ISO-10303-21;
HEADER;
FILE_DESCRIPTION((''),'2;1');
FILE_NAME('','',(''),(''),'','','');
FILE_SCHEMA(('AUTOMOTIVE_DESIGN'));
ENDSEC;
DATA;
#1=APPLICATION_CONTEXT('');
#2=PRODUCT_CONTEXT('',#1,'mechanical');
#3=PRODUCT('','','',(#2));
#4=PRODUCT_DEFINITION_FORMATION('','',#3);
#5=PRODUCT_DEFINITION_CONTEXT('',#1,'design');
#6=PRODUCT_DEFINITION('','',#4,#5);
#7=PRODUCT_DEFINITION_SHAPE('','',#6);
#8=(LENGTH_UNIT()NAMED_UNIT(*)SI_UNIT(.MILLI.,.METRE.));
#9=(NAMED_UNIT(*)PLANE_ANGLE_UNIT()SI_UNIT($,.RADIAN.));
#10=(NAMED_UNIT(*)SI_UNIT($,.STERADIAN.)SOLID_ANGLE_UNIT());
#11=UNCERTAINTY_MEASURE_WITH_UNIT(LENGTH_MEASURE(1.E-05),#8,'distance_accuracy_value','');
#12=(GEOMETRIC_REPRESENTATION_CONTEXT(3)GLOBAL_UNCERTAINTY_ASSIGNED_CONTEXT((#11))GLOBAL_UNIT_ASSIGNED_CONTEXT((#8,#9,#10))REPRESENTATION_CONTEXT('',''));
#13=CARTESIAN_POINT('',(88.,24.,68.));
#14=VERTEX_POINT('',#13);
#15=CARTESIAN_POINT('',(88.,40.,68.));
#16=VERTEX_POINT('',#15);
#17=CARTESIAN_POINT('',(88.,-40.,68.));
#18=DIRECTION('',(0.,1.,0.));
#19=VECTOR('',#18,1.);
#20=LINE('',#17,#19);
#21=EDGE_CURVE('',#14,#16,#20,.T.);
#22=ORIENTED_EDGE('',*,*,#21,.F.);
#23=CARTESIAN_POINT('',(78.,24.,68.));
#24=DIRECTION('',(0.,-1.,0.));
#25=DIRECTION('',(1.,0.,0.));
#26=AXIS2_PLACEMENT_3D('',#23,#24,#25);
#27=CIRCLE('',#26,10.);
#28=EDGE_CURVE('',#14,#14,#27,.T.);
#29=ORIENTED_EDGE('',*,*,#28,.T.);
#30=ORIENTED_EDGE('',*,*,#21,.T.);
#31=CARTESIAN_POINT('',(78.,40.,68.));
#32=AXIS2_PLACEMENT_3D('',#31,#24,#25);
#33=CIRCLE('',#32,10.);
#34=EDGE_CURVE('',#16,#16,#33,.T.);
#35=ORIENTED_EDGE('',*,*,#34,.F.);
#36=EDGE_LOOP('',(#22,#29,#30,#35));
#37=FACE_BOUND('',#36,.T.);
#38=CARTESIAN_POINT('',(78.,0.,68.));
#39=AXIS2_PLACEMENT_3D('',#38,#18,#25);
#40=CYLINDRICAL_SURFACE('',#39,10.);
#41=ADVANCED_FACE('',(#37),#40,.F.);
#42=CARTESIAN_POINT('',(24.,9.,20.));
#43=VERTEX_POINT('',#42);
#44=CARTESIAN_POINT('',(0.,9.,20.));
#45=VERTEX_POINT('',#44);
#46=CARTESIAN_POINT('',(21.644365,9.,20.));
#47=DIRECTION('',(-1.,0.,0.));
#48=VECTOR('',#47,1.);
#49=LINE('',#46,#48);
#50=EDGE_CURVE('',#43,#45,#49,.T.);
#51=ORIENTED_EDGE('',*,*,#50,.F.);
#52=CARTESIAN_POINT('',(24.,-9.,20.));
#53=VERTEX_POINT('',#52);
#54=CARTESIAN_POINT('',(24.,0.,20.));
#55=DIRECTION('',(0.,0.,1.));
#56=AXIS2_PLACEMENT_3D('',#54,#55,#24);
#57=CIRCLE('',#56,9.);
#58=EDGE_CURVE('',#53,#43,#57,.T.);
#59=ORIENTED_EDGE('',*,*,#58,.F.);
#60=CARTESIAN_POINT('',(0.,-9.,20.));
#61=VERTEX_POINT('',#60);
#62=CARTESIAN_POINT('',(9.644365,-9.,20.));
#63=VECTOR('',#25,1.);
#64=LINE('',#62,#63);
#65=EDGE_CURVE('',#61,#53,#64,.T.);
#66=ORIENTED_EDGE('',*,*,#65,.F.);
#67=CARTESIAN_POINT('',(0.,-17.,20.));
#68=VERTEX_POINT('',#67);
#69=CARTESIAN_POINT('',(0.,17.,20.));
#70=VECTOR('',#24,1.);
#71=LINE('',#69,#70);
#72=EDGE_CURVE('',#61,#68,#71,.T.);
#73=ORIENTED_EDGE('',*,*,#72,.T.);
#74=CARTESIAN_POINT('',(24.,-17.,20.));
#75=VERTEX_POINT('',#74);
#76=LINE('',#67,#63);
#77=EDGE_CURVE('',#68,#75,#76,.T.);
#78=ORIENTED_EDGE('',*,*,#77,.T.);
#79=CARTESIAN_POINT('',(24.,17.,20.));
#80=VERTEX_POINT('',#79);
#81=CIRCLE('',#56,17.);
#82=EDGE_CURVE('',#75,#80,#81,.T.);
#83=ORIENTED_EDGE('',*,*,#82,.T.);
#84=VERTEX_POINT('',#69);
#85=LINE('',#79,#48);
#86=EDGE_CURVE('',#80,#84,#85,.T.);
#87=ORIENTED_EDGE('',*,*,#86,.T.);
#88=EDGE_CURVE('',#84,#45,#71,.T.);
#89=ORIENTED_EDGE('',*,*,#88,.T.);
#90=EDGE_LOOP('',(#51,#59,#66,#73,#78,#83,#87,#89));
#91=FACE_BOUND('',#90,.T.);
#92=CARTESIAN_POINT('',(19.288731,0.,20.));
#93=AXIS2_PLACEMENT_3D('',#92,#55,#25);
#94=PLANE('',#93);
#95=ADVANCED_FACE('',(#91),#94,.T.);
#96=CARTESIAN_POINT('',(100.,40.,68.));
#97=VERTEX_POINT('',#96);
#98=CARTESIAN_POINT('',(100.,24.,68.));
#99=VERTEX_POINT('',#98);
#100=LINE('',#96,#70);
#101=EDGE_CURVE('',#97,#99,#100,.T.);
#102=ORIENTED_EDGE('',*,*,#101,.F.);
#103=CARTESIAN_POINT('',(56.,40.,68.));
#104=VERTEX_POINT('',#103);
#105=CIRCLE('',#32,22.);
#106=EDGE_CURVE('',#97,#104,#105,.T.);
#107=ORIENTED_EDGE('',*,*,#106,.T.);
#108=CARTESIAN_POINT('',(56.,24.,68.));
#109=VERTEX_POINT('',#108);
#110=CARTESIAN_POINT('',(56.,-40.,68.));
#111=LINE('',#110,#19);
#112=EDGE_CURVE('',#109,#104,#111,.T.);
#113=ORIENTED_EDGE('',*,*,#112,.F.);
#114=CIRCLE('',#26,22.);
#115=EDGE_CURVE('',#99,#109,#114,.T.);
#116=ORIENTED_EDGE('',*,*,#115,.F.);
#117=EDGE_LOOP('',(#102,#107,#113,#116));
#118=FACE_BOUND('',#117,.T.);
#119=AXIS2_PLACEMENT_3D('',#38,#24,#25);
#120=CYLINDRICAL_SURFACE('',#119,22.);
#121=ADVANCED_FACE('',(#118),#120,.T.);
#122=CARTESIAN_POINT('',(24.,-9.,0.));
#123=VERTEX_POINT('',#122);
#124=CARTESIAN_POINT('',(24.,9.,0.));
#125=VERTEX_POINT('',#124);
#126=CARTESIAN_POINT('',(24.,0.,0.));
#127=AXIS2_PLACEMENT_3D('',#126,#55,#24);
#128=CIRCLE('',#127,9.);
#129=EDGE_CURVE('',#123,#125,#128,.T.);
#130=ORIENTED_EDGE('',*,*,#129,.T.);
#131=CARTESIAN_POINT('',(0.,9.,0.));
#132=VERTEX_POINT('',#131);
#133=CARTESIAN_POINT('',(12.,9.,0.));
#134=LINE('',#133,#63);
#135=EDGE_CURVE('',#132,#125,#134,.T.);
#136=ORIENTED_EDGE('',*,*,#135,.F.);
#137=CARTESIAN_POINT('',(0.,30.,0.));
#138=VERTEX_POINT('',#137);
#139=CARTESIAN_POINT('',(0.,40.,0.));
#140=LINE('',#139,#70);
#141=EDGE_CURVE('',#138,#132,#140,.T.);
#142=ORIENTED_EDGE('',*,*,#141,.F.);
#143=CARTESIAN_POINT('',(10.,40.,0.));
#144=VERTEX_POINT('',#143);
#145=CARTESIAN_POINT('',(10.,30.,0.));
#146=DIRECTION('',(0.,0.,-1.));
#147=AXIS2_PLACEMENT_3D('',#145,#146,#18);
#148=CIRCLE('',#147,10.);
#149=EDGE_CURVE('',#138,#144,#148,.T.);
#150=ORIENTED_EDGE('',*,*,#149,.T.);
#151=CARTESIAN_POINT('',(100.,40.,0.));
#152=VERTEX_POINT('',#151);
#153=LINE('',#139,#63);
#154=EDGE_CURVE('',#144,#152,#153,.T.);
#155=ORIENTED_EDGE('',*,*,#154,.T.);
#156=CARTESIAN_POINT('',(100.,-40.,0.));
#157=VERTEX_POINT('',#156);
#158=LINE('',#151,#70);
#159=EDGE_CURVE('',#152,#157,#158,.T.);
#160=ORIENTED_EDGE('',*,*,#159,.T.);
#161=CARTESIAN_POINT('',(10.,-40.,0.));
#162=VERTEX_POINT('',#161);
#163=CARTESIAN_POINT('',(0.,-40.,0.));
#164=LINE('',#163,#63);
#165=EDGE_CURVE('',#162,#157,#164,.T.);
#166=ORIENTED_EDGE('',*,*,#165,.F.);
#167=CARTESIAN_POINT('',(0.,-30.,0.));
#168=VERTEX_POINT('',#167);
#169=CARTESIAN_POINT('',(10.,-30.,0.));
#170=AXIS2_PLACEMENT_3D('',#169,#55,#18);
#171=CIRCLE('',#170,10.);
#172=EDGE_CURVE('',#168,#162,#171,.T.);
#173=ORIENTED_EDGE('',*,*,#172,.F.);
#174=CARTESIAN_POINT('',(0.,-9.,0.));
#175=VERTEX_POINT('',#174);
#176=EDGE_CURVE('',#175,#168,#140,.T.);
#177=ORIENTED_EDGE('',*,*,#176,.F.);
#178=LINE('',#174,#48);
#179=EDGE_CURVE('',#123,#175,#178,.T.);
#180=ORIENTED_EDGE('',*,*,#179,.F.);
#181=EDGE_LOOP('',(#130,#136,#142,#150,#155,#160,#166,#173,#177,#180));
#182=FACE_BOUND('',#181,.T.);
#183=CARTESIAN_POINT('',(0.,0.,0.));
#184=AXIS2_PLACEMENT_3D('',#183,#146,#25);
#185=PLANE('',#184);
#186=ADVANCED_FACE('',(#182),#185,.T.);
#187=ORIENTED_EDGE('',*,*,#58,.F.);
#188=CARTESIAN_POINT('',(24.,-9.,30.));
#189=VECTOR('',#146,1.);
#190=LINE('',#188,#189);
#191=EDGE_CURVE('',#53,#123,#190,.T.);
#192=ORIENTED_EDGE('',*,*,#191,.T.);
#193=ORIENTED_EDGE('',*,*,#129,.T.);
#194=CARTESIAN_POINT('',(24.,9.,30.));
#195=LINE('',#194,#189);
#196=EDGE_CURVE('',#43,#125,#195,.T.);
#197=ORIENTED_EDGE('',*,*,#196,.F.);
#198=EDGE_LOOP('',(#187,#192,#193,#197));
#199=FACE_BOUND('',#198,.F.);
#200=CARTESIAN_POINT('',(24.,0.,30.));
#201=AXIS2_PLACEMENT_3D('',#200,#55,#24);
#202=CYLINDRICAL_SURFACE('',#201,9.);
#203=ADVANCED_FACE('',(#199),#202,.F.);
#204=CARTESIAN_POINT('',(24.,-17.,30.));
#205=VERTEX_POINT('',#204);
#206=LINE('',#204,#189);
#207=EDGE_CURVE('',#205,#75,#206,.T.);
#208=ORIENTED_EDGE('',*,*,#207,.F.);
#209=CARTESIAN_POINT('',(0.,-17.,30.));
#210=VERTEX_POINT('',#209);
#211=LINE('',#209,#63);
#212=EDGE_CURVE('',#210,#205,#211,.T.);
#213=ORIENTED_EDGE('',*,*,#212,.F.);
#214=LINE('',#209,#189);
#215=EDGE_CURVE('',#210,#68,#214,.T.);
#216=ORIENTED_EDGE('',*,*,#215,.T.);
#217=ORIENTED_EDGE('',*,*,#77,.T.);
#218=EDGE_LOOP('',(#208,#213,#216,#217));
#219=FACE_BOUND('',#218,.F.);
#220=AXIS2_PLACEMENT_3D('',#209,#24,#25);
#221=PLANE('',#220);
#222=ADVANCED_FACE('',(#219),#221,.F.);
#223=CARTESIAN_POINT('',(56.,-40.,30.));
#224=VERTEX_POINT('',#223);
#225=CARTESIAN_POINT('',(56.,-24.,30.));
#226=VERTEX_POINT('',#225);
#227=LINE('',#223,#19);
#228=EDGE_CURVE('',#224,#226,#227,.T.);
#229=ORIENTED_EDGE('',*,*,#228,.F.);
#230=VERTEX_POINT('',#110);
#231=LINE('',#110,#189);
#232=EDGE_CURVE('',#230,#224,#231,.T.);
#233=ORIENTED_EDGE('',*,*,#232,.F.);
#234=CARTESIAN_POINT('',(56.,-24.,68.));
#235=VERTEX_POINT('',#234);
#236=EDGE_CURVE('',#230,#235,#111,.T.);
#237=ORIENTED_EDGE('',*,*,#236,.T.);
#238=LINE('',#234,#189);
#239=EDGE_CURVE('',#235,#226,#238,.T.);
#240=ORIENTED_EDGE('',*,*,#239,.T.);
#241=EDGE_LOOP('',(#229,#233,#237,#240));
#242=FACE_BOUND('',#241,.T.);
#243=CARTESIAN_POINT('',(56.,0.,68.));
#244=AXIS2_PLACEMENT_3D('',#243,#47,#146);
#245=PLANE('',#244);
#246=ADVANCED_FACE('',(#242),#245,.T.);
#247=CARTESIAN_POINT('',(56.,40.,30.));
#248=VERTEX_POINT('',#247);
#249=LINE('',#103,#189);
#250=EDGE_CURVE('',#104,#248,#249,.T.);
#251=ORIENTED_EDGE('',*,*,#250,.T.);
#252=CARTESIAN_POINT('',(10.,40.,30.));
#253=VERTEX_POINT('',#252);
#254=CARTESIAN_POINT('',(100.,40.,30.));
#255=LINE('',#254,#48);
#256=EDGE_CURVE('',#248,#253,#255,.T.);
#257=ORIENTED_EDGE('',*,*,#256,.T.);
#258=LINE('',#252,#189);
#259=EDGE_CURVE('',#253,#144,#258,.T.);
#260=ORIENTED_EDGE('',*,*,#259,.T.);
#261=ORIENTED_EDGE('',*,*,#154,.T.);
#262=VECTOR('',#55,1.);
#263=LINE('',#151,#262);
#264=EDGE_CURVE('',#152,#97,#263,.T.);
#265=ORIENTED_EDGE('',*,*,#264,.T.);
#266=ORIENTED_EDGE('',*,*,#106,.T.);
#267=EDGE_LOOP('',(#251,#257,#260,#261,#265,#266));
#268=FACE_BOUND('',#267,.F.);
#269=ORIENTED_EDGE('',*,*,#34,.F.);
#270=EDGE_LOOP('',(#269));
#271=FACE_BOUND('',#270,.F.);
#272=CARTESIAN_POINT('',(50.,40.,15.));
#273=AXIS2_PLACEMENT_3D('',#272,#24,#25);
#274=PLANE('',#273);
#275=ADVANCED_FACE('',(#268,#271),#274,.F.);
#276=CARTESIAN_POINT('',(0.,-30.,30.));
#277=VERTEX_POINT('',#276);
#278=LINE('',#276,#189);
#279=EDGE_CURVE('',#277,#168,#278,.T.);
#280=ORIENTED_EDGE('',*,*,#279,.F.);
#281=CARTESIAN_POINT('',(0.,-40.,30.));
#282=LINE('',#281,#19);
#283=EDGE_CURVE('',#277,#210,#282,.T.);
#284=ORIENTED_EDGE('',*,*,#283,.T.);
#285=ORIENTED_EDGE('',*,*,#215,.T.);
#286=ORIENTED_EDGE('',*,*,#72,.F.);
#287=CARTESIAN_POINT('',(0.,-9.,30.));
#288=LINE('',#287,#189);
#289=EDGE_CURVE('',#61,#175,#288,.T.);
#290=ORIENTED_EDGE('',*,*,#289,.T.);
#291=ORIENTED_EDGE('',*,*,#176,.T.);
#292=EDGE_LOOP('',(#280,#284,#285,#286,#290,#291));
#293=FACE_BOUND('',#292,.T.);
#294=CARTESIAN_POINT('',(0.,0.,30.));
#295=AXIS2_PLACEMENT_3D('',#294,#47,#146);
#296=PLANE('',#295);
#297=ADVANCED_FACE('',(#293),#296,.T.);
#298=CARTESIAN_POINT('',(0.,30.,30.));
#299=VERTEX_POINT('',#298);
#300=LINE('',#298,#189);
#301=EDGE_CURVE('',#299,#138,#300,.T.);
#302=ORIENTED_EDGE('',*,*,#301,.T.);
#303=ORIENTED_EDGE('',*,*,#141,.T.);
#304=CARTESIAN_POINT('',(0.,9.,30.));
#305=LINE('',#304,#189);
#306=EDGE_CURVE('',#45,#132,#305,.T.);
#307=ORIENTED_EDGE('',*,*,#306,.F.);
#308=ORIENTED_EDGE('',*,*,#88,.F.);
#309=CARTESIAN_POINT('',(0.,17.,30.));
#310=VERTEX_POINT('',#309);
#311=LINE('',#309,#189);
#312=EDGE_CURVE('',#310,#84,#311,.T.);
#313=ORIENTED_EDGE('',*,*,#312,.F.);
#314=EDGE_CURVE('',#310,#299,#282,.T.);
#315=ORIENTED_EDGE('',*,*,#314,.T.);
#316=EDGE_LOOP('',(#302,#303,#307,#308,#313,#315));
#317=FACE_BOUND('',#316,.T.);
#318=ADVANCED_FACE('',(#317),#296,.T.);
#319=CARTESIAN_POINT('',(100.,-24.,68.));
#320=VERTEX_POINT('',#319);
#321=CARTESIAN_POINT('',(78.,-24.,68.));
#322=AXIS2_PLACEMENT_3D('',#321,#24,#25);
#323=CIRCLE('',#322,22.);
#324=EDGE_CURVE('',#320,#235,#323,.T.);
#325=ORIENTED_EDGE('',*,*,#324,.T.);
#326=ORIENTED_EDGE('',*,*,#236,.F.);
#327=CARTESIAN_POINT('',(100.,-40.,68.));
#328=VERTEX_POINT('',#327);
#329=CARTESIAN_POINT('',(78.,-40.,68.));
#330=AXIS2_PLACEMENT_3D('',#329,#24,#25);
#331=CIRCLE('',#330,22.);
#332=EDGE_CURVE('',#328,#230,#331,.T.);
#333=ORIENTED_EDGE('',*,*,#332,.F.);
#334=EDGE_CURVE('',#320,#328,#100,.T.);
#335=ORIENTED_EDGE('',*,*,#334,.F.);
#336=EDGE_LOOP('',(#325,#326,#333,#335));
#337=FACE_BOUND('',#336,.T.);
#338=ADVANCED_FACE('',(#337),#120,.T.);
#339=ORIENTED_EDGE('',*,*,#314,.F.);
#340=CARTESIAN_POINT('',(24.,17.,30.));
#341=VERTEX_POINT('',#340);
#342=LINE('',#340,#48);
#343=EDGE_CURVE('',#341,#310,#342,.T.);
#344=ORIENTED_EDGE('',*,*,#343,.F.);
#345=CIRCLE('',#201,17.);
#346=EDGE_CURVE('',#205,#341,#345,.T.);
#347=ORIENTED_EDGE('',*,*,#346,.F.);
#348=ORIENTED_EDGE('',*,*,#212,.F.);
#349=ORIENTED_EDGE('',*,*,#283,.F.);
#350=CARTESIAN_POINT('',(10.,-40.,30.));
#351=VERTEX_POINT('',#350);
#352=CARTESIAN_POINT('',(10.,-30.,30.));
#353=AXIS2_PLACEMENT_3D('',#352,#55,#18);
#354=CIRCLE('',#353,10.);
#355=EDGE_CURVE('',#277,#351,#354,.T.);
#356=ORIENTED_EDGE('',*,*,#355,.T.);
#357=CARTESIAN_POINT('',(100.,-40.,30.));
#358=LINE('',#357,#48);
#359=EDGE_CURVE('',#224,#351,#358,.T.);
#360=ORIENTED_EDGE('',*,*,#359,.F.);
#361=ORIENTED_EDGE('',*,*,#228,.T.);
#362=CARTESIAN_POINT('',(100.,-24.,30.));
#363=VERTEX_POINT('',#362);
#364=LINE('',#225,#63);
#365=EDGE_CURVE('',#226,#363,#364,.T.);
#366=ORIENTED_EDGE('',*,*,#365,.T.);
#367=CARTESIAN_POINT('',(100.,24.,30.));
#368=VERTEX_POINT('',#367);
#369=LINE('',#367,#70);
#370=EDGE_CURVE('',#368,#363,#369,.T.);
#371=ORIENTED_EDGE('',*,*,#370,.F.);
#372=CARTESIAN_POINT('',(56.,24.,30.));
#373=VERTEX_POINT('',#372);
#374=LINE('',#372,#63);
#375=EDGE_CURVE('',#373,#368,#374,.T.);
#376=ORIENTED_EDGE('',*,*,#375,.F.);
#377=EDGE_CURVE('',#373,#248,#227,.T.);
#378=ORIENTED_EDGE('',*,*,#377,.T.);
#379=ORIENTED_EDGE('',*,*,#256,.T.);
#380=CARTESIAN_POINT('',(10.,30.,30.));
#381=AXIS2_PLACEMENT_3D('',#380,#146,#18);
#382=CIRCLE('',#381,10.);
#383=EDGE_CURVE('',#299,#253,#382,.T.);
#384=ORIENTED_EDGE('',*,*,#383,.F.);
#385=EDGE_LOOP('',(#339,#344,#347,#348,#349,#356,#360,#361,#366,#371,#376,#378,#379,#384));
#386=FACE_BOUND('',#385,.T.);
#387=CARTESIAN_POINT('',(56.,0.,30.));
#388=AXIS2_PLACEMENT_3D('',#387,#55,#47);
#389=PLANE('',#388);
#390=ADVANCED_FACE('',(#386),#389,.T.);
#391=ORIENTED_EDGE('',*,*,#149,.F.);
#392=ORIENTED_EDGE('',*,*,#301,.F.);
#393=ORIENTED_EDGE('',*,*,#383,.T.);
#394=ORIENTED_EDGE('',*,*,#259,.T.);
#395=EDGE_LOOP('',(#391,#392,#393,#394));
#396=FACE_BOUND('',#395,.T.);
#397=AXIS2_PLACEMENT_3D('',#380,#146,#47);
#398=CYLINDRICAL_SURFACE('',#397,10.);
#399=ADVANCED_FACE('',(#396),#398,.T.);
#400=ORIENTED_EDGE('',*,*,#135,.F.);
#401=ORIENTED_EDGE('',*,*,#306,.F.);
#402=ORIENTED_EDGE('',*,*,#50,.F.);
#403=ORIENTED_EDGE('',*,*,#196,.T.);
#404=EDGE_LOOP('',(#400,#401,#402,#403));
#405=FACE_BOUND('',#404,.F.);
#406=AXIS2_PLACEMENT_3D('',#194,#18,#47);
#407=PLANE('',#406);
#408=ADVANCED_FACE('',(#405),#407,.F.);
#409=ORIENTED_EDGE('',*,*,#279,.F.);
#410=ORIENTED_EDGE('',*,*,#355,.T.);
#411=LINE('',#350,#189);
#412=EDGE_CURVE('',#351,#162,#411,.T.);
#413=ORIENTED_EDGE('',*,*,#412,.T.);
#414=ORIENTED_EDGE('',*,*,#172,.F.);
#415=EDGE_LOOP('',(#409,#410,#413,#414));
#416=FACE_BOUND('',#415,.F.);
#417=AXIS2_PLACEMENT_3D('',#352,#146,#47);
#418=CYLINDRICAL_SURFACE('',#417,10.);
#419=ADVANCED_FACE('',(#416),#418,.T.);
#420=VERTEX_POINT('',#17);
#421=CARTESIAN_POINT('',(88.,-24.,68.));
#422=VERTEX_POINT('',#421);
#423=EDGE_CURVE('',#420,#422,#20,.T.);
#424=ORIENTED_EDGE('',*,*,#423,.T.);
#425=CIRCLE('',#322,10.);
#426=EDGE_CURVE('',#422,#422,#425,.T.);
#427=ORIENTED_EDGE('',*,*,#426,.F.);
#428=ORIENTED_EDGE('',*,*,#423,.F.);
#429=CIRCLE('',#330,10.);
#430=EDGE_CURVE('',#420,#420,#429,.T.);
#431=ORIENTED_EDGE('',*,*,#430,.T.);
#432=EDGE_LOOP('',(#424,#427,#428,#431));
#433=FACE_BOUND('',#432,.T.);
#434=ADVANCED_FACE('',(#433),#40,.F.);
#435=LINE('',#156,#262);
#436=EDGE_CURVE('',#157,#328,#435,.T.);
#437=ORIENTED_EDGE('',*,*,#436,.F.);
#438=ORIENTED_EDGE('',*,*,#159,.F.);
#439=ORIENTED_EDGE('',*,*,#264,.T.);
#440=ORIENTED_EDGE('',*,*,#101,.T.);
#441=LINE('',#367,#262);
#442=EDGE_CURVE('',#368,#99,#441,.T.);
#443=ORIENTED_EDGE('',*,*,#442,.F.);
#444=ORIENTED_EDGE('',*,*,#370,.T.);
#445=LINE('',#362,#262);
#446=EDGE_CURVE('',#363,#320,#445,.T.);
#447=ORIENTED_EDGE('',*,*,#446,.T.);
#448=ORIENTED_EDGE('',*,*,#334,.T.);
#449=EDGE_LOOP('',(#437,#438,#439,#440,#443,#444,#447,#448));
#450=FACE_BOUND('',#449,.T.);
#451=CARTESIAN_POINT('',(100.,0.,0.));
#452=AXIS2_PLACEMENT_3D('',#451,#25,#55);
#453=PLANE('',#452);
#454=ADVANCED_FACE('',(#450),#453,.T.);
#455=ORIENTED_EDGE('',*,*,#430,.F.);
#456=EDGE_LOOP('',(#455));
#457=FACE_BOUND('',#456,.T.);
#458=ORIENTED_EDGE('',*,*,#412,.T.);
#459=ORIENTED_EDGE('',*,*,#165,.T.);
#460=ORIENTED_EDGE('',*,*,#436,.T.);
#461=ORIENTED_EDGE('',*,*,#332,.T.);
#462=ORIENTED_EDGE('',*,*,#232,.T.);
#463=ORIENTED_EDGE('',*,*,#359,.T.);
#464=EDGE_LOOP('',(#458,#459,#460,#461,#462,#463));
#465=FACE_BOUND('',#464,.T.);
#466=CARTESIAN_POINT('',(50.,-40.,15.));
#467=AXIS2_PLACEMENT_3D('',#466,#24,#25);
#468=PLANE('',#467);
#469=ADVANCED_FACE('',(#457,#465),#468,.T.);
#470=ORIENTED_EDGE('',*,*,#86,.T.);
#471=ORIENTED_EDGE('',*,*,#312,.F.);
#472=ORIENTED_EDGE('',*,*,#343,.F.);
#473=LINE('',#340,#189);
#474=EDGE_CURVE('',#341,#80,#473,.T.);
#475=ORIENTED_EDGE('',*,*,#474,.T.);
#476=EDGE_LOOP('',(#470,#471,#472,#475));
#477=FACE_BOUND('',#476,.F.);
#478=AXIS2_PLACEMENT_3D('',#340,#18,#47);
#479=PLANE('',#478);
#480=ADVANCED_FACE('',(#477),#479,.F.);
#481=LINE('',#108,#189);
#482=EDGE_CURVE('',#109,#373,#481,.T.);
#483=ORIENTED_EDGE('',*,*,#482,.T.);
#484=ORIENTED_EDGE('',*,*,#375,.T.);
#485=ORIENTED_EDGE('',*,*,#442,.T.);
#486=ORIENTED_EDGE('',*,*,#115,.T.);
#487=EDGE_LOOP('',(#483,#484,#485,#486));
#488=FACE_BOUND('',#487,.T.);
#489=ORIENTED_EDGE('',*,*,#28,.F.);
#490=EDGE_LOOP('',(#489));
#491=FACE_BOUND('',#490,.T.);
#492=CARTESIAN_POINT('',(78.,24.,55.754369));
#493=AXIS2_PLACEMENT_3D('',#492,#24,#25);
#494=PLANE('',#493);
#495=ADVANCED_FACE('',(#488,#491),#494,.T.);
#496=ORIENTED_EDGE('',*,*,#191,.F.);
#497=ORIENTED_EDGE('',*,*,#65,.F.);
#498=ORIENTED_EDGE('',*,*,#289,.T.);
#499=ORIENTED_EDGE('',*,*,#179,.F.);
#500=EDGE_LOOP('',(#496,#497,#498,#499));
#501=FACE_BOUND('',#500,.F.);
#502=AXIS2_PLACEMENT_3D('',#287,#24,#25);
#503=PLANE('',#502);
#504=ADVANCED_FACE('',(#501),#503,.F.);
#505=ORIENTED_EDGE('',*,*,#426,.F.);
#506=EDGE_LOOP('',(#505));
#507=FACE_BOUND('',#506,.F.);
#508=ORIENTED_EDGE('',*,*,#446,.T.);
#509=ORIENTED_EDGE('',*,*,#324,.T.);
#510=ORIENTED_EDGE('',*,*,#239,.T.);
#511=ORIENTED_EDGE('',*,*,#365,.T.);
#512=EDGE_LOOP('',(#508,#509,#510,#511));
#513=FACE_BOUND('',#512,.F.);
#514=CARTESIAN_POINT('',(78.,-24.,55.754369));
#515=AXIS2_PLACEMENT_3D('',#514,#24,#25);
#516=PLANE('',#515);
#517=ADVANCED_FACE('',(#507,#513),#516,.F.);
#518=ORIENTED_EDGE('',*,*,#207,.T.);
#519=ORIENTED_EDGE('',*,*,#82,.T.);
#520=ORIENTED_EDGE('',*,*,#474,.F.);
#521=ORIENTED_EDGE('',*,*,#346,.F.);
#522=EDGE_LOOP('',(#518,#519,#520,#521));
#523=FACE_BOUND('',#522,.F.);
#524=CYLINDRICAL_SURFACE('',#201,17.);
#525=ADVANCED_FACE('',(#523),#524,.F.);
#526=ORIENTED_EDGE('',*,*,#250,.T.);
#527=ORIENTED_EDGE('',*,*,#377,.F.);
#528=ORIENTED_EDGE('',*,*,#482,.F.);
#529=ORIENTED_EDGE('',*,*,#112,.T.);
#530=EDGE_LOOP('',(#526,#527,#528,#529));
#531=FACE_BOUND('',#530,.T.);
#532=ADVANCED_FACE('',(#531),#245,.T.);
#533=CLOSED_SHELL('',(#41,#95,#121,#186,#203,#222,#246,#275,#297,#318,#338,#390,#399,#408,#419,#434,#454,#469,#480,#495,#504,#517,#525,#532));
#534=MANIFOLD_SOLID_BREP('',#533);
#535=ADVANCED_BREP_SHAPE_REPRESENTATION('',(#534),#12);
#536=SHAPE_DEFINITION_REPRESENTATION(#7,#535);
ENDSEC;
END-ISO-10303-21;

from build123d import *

# Parameters (mm, degrees)
F0_R     = 10
F1_DEPTH = 40
F2_DEPTH = 24
F5_DEPTH = 10
F6_DEPTH = 30.001
F7_R     = 10


with BuildPart() as f1:
    # F0 (on Front) → F1 (new body, symmetric)
    with BuildSketch(Plane.XZ):
        Polygon((0, 30), (0, 0), (100, 0), (100, 30), (56, 30), align=None)
        with BuildLine():
            Line((56, 30), (100, 30))
            Line((100, 30), (100, 68))
            ThreePointArc((100, 68), (78, 90), (56, 68))
            Line((56, 68), (56, 30))
        make_face()
        with Locations((78, 68)):
            Circle(F0_R, mode=Mode.SUBTRACT)
    extrude(amount=F1_DEPTH, both=True)

    # F0 (on Front) → F2 (cut, symmetric)
    with BuildSketch(Plane.XZ):
        with BuildLine():
            Line((56, 30), (100, 30))
            Line((100, 30), (100, 68))
            ThreePointArc((100, 68), (78, 90), (56, 68))
            Line((56, 68), (56, 30))
        make_face()
        with Locations((78, 68)):
            Circle(F0_R, mode=Mode.SUBTRACT)
    extrude(amount=F2_DEPTH, both=True, mode=Mode.SUBTRACT)

    # F4 (on face) → F5 (cut)
    with BuildSketch(Plane.XY.offset(30)):
        with BuildLine():
            Line((0, -17), (24, -17))
            ThreePointArc((24, -17), (41, 0), (24, 17))
            Line((24, 17), (0, 17))
            Line((0, 17), (0, 9))
            Line((0, 9), (24, 9))
            ThreePointArc((24, 9), (33, 0), (24, -9))
            Line((24, -9), (0, -9))
            Line((0, -9), (0, -17))
        make_face()
        with BuildLine():
            Line((0, 9), (0, -9))
            Line((0, -9), (24, -9))
            ThreePointArc((24, -9), (33, 0), (24, 9))
            Line((24, 9), (0, 9))
        make_face()
    extrude(amount=-F5_DEPTH, mode=Mode.SUBTRACT)

    # F4 (on face) → F6 (cut, through all)
    with BuildSketch(Plane.XY.offset(30)):
        with BuildLine():
            Line((0, 9), (0, -9))
            Line((0, -9), (24, -9))
            ThreePointArc((24, -9), (33, 0), (24, 9))
            Line((24, 9), (0, 9))
        make_face()
    extrude(amount=-F6_DEPTH, mode=Mode.SUBTRACT)

    # F7
    f7_edges = [f1.edges().sort_by_distance(p)[0] for p in [
        (0, -40, 15),
        (0, 40, 15),
    ]]
    fillet(f7_edges, radius=F7_R)


solid = f1.part
